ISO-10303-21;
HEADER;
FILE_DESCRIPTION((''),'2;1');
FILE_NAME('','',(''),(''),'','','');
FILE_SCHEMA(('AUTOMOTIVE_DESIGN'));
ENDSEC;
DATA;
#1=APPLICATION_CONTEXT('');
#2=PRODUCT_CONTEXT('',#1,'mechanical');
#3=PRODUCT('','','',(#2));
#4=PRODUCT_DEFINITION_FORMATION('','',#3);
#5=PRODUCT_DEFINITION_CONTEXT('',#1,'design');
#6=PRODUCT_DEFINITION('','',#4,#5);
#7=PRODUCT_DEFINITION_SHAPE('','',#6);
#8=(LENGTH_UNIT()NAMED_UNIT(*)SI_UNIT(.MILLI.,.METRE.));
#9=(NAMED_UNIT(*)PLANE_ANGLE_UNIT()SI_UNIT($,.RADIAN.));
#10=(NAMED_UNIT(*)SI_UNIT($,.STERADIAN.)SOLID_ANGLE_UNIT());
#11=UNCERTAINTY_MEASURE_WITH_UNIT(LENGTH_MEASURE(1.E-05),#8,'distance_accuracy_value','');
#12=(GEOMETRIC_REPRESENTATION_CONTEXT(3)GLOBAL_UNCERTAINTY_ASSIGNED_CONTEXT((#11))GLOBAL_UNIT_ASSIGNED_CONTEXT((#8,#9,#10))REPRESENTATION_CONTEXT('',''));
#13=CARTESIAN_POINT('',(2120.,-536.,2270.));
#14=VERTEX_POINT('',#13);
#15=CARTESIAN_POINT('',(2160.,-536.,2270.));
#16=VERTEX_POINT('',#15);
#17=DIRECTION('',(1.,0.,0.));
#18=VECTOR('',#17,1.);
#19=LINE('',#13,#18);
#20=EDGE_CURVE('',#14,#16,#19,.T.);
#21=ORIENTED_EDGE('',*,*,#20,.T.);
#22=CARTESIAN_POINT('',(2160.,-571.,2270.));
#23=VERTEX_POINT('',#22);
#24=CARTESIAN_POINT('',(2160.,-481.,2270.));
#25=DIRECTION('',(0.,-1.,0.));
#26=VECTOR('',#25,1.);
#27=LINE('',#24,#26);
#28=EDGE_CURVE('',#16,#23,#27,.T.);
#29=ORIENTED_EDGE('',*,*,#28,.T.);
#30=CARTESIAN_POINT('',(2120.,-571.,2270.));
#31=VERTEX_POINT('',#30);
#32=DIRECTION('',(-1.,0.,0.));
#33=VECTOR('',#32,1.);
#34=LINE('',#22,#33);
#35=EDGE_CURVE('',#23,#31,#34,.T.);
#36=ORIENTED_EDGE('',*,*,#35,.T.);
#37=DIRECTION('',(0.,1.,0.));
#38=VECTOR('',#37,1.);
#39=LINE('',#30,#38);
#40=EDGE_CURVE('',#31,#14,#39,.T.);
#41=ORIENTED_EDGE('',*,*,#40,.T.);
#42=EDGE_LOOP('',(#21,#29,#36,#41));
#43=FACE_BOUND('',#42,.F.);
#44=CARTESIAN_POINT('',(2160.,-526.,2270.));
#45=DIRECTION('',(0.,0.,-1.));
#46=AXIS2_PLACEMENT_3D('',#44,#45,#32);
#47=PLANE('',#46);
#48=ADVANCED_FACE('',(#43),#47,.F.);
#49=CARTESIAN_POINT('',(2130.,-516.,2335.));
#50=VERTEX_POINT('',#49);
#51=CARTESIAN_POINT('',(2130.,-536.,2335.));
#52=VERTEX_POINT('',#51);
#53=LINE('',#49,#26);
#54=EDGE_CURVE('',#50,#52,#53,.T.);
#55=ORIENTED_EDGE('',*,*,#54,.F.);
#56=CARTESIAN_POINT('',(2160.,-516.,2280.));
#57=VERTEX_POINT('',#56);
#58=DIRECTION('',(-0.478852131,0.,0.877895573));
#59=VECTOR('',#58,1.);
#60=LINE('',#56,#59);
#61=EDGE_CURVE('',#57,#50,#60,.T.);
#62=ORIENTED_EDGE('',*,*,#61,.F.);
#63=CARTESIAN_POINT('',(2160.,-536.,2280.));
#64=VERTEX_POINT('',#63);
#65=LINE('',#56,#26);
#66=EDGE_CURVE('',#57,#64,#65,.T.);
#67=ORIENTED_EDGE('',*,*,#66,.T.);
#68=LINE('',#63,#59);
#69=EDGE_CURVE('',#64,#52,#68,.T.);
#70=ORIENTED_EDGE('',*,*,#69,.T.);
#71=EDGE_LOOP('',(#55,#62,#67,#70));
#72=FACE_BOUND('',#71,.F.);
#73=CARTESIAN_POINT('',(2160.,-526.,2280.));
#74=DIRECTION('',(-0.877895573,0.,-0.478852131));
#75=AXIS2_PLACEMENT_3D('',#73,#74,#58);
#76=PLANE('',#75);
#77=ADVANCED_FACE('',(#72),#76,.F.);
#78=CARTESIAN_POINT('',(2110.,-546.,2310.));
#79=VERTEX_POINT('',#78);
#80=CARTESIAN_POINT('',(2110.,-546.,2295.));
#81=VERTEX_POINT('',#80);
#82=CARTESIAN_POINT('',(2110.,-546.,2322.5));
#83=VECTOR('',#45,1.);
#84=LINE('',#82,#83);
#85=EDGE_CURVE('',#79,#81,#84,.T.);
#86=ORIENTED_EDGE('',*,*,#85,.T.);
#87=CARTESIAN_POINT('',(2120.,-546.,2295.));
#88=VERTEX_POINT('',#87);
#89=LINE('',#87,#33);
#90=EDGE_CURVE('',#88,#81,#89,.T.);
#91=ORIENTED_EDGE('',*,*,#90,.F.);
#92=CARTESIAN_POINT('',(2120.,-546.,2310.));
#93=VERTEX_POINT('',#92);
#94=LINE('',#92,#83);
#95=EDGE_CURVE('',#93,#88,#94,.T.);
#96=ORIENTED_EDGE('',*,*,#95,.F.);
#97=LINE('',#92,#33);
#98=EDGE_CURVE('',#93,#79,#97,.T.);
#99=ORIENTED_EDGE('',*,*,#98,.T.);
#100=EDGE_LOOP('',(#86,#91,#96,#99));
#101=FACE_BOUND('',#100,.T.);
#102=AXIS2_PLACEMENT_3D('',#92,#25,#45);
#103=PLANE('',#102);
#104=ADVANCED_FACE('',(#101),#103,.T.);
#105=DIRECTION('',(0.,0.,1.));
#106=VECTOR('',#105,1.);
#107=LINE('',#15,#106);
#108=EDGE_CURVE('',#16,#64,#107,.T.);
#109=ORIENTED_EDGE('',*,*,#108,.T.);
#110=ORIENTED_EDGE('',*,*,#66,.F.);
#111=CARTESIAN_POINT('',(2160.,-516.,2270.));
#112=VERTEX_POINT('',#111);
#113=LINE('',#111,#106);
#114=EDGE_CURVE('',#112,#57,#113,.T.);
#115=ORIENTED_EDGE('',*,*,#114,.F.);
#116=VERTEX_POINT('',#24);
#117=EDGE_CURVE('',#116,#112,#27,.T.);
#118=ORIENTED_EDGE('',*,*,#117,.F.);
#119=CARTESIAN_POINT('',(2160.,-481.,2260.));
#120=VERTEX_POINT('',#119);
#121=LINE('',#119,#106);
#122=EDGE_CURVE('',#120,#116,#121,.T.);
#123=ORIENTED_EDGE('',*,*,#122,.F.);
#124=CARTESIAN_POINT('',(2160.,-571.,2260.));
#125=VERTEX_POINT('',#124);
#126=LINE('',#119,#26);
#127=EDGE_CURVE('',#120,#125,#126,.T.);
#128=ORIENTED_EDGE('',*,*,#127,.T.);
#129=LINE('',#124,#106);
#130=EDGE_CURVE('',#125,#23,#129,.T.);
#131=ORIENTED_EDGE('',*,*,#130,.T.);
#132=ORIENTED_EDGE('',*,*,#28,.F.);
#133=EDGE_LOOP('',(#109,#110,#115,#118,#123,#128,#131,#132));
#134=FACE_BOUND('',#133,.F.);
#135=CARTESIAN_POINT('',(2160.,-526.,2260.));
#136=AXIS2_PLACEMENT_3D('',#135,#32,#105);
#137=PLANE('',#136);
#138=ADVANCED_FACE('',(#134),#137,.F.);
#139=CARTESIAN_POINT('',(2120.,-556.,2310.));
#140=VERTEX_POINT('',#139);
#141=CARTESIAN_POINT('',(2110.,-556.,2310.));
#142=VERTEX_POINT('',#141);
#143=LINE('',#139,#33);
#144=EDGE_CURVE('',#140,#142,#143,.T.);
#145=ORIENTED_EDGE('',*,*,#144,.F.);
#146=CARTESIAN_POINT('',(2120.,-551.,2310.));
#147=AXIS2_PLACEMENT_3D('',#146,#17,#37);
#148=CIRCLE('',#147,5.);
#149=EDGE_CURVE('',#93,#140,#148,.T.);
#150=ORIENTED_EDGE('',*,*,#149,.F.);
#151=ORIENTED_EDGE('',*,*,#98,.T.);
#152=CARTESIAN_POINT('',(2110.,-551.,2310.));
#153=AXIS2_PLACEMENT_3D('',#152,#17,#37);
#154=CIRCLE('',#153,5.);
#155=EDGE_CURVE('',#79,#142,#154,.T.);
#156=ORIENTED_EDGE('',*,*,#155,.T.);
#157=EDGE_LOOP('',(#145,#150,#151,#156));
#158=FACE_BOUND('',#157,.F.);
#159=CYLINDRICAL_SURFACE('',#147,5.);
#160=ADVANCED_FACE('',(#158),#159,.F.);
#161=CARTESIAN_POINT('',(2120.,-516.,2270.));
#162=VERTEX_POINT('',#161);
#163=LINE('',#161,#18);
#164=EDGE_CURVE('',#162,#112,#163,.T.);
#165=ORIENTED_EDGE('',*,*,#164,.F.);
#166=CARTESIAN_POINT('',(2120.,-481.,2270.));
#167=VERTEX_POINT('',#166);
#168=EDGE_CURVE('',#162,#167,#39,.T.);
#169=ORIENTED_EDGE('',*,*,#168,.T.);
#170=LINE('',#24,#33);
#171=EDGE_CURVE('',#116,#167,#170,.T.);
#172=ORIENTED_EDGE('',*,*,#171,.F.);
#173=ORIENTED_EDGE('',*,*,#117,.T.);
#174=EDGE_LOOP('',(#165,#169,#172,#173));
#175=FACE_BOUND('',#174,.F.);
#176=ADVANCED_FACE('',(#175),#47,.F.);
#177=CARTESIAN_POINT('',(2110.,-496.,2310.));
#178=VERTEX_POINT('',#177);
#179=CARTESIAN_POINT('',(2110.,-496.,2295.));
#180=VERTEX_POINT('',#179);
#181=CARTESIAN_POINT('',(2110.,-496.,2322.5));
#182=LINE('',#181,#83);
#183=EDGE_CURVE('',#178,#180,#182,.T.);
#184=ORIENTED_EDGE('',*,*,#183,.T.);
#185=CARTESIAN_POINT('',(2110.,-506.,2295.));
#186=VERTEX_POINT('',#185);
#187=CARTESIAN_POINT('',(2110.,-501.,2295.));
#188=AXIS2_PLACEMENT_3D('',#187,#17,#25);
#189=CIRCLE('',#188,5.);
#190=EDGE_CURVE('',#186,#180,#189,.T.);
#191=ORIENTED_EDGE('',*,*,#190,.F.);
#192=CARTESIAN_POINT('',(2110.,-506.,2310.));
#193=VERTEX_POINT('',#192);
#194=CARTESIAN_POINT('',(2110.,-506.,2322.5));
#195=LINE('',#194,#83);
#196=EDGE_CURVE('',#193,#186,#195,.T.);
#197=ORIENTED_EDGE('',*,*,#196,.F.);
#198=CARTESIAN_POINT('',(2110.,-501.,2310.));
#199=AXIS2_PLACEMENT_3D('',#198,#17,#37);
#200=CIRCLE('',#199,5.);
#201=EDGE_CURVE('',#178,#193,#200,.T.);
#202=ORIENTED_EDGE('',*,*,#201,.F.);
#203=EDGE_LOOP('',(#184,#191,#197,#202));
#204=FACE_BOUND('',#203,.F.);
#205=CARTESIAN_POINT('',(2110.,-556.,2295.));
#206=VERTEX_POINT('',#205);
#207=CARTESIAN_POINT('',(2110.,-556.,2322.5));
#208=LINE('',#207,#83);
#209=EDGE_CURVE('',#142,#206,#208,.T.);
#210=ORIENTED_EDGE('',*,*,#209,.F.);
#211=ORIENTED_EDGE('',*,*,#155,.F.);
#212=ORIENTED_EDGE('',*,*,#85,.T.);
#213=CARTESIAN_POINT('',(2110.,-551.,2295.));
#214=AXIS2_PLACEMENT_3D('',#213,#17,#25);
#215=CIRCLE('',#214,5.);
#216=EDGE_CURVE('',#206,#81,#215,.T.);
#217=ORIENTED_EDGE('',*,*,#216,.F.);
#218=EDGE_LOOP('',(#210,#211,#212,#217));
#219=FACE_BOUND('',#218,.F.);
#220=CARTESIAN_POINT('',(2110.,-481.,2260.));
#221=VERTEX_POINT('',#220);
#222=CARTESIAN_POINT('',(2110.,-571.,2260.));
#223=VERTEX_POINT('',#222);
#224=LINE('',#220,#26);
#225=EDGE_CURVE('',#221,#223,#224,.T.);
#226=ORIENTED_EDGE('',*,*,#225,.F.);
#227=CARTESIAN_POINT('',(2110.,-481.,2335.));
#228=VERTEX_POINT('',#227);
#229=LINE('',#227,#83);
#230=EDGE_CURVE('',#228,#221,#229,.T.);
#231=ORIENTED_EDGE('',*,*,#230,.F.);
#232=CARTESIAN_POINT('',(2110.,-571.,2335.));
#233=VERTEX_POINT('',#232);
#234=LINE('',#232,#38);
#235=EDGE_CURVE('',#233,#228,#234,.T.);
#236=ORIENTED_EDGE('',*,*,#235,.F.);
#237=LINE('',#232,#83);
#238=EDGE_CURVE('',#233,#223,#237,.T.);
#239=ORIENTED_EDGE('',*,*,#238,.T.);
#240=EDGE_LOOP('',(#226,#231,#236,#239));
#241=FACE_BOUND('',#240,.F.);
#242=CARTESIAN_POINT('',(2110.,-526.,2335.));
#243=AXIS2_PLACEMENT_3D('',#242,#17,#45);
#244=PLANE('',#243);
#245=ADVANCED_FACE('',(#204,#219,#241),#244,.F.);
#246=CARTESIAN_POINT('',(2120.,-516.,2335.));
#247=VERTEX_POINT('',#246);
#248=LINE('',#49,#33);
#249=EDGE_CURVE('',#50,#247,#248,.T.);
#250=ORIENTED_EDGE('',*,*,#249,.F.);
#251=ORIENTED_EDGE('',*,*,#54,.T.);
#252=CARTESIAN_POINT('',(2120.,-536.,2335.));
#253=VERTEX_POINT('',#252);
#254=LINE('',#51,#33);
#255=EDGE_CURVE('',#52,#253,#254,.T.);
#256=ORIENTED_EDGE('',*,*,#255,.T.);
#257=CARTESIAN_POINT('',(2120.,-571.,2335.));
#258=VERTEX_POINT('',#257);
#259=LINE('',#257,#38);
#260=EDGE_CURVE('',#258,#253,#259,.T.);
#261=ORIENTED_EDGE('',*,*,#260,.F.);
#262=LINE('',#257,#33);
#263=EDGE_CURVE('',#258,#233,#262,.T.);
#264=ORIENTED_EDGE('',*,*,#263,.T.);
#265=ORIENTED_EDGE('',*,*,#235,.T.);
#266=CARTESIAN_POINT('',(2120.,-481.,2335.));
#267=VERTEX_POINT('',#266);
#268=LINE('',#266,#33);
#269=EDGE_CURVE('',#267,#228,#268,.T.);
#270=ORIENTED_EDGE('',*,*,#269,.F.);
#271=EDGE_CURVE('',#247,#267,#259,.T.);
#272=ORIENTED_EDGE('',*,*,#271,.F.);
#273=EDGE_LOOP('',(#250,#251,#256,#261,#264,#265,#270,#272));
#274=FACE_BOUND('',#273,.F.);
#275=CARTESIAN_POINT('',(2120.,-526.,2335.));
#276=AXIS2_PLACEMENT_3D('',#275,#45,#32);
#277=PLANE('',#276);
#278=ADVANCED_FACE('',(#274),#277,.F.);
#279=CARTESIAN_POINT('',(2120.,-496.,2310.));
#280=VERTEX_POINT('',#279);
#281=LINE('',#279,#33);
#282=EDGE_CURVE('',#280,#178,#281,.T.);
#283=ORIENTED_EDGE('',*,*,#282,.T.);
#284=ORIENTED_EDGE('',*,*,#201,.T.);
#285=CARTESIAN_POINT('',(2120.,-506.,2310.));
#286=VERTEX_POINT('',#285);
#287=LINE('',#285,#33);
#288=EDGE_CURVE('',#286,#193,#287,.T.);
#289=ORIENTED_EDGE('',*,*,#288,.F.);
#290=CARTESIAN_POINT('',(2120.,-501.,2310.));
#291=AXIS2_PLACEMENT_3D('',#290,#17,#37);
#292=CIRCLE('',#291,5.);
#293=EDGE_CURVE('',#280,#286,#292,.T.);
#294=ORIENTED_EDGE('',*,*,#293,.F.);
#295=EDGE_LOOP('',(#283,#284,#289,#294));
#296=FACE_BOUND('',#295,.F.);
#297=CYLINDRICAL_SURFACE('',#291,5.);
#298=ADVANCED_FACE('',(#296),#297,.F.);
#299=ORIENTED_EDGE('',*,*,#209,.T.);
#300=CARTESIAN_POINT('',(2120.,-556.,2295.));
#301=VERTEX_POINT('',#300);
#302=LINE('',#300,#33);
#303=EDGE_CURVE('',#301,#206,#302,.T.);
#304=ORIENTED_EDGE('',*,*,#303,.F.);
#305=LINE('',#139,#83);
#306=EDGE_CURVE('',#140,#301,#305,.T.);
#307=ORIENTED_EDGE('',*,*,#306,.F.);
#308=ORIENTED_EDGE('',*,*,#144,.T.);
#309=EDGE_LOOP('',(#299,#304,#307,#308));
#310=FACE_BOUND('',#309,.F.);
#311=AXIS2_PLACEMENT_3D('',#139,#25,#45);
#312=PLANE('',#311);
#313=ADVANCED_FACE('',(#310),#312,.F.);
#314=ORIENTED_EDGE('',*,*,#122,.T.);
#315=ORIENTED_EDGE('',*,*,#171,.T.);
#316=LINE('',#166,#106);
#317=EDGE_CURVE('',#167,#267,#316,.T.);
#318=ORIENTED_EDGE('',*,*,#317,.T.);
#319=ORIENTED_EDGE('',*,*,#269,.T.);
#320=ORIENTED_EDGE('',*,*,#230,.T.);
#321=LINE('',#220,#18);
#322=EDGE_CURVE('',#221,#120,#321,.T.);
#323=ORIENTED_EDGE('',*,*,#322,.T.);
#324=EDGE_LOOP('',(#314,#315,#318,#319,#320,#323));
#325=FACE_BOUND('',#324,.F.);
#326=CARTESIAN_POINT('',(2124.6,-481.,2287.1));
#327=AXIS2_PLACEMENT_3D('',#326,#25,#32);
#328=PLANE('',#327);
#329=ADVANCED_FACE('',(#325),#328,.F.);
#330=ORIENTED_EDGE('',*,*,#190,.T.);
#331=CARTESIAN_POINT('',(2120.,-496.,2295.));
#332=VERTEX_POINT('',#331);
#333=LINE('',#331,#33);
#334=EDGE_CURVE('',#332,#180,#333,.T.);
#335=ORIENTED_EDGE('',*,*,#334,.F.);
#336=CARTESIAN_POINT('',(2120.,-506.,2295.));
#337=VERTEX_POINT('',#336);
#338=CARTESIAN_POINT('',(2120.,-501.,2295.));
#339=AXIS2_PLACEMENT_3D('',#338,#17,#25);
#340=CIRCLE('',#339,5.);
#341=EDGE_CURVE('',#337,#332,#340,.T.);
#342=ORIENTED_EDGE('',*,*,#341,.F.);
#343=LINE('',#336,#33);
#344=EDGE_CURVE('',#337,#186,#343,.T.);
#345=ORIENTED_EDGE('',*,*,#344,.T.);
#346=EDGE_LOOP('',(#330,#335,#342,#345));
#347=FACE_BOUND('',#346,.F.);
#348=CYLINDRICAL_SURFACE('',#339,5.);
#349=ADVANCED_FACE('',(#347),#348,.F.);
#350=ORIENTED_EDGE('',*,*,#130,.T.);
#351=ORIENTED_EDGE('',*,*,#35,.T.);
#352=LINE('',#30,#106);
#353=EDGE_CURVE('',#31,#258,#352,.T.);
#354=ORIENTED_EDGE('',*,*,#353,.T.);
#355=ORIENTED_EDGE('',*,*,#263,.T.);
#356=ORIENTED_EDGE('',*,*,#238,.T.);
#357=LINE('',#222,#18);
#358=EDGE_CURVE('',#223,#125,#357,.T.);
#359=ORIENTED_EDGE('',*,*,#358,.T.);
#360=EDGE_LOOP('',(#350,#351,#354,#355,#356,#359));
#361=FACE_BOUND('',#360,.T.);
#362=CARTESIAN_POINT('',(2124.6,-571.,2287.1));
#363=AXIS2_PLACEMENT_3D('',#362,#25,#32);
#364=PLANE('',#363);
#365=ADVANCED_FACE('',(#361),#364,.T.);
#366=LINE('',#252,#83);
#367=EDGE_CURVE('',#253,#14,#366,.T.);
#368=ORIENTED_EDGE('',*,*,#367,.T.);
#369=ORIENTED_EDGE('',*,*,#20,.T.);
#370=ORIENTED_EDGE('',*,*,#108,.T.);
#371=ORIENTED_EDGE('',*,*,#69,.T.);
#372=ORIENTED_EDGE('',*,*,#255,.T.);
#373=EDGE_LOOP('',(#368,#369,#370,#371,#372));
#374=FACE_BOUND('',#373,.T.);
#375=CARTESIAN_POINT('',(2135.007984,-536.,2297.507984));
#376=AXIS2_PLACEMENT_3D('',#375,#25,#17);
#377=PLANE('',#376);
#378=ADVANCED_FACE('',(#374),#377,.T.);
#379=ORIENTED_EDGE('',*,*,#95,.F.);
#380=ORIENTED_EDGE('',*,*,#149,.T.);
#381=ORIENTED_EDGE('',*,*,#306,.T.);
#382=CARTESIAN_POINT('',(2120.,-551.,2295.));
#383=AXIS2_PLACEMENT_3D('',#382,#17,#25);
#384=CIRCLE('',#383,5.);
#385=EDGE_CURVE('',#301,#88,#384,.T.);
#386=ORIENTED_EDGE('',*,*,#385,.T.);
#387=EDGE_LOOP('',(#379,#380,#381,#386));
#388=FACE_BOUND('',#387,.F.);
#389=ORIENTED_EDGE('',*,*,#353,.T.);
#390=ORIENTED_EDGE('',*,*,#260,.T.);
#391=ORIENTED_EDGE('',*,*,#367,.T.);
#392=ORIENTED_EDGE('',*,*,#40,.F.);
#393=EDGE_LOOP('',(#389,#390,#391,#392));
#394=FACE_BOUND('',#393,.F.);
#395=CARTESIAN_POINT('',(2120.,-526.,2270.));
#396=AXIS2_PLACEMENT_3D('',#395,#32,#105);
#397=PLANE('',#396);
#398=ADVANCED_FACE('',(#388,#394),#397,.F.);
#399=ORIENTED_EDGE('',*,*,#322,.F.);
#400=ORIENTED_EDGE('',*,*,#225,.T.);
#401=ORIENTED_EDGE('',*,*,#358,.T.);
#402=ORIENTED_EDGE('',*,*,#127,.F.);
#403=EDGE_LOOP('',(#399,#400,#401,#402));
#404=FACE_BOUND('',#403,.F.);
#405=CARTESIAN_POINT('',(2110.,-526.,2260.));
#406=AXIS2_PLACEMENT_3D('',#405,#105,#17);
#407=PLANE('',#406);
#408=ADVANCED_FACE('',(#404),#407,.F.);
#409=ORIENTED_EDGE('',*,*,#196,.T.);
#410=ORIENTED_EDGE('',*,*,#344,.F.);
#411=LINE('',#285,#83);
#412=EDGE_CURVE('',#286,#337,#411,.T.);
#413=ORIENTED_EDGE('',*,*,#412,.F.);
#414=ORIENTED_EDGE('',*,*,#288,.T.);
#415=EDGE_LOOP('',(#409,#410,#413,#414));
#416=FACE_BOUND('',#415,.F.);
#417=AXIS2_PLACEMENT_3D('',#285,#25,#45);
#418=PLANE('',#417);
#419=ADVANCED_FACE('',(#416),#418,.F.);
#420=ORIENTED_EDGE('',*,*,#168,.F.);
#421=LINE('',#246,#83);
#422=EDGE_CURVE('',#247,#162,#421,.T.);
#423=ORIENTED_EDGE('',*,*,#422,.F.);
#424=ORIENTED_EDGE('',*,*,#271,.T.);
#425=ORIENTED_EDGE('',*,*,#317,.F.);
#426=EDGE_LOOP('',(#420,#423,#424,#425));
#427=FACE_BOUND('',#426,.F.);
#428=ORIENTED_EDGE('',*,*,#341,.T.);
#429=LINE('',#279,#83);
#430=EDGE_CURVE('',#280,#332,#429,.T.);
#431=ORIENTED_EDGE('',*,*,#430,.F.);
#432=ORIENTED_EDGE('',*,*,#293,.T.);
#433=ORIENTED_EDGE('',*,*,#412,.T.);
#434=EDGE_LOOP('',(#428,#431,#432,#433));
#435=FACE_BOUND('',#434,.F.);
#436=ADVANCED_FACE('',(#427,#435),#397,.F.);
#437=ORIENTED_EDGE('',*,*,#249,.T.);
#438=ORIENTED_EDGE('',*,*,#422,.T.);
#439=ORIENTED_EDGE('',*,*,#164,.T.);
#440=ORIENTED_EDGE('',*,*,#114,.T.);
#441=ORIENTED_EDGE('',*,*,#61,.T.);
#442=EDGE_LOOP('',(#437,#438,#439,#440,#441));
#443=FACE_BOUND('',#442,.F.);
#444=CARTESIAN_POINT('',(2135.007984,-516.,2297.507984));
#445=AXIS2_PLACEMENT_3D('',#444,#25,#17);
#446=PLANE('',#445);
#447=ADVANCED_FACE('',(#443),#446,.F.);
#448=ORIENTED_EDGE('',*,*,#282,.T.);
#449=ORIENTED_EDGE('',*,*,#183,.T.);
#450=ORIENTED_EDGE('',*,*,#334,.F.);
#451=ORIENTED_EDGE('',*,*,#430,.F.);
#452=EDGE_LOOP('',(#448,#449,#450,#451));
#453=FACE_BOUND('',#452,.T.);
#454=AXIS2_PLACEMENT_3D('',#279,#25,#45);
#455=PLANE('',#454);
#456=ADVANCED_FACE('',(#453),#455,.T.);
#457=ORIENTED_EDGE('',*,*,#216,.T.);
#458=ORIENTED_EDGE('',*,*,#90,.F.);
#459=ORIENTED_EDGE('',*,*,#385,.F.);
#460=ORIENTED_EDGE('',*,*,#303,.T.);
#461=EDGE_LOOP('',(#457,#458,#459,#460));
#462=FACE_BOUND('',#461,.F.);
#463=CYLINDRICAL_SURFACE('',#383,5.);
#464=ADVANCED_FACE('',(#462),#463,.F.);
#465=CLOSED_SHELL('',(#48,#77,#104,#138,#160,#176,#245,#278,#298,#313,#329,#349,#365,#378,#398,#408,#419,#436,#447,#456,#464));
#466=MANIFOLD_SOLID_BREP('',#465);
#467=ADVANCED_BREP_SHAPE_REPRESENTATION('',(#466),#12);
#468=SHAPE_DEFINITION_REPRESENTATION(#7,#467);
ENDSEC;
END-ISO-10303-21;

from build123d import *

# Parameters (mm, degrees)
PAD005_DEPTH    = 45
POCKET002_DEPTH = 10.001
PAD006_DEPTH    = 10


with BuildPart() as part:
    # Sketch012 → Pad005 (new body, symmetric)
    with BuildSketch(Plane(origin=(0, -526, 0), x_dir=(1, 0, 0), z_dir=(0, 1, 0))):
        Polygon((2110, -2335), (2110, -2260), (2160, -2260), (2160, -2270), (2120, -2270), (2120, -2335), align=None)
    extrude(amount=PAD005_DEPTH, both=True)

    # Sketch013 (on Face5 of Pad005) → Pocket002 (cut, through all)
    with BuildSketch(Plane(origin=(2120, -526, 0), x_dir=(0, 0, -1), z_dir=(1, 0, 0))):
        with BuildLine():
            ThreePointArc((-2310, -20), (-2315, -25), (-2310, -30))
            Line((-2310, -30), (-2295, -30))
            ThreePointArc((-2295, -30), (-2290, -25), (-2295, -20))
            Line((-2310, -20), (-2295, -20))
        make_face()
        with BuildLine():
            ThreePointArc((-2310, 30), (-2315, 25), (-2310, 20))
            Line((-2310, 20), (-2295, 20))
            ThreePointArc((-2295, 20), (-2290, 25), (-2295, 30))
            Line((-2310, 30), (-2295, 30))
        make_face()
    extrude(amount=-POCKET002_DEPTH, mode=Mode.SUBTRACT)

    # Sketch003 (on DatumPlane) → Pad006 (join, symmetric)
    with BuildSketch(Plane(origin=(0, -526, 0), x_dir=(-1, 0, 0), z_dir=(0, 1, 0))):
        Polygon((-2160, 2270), (-2160, 2280), (-2130, 2335), (-2120, 2335), (-2120, 2270), align=None)
    extrude(amount=PAD006_DEPTH, both=True)


solid = part.part
